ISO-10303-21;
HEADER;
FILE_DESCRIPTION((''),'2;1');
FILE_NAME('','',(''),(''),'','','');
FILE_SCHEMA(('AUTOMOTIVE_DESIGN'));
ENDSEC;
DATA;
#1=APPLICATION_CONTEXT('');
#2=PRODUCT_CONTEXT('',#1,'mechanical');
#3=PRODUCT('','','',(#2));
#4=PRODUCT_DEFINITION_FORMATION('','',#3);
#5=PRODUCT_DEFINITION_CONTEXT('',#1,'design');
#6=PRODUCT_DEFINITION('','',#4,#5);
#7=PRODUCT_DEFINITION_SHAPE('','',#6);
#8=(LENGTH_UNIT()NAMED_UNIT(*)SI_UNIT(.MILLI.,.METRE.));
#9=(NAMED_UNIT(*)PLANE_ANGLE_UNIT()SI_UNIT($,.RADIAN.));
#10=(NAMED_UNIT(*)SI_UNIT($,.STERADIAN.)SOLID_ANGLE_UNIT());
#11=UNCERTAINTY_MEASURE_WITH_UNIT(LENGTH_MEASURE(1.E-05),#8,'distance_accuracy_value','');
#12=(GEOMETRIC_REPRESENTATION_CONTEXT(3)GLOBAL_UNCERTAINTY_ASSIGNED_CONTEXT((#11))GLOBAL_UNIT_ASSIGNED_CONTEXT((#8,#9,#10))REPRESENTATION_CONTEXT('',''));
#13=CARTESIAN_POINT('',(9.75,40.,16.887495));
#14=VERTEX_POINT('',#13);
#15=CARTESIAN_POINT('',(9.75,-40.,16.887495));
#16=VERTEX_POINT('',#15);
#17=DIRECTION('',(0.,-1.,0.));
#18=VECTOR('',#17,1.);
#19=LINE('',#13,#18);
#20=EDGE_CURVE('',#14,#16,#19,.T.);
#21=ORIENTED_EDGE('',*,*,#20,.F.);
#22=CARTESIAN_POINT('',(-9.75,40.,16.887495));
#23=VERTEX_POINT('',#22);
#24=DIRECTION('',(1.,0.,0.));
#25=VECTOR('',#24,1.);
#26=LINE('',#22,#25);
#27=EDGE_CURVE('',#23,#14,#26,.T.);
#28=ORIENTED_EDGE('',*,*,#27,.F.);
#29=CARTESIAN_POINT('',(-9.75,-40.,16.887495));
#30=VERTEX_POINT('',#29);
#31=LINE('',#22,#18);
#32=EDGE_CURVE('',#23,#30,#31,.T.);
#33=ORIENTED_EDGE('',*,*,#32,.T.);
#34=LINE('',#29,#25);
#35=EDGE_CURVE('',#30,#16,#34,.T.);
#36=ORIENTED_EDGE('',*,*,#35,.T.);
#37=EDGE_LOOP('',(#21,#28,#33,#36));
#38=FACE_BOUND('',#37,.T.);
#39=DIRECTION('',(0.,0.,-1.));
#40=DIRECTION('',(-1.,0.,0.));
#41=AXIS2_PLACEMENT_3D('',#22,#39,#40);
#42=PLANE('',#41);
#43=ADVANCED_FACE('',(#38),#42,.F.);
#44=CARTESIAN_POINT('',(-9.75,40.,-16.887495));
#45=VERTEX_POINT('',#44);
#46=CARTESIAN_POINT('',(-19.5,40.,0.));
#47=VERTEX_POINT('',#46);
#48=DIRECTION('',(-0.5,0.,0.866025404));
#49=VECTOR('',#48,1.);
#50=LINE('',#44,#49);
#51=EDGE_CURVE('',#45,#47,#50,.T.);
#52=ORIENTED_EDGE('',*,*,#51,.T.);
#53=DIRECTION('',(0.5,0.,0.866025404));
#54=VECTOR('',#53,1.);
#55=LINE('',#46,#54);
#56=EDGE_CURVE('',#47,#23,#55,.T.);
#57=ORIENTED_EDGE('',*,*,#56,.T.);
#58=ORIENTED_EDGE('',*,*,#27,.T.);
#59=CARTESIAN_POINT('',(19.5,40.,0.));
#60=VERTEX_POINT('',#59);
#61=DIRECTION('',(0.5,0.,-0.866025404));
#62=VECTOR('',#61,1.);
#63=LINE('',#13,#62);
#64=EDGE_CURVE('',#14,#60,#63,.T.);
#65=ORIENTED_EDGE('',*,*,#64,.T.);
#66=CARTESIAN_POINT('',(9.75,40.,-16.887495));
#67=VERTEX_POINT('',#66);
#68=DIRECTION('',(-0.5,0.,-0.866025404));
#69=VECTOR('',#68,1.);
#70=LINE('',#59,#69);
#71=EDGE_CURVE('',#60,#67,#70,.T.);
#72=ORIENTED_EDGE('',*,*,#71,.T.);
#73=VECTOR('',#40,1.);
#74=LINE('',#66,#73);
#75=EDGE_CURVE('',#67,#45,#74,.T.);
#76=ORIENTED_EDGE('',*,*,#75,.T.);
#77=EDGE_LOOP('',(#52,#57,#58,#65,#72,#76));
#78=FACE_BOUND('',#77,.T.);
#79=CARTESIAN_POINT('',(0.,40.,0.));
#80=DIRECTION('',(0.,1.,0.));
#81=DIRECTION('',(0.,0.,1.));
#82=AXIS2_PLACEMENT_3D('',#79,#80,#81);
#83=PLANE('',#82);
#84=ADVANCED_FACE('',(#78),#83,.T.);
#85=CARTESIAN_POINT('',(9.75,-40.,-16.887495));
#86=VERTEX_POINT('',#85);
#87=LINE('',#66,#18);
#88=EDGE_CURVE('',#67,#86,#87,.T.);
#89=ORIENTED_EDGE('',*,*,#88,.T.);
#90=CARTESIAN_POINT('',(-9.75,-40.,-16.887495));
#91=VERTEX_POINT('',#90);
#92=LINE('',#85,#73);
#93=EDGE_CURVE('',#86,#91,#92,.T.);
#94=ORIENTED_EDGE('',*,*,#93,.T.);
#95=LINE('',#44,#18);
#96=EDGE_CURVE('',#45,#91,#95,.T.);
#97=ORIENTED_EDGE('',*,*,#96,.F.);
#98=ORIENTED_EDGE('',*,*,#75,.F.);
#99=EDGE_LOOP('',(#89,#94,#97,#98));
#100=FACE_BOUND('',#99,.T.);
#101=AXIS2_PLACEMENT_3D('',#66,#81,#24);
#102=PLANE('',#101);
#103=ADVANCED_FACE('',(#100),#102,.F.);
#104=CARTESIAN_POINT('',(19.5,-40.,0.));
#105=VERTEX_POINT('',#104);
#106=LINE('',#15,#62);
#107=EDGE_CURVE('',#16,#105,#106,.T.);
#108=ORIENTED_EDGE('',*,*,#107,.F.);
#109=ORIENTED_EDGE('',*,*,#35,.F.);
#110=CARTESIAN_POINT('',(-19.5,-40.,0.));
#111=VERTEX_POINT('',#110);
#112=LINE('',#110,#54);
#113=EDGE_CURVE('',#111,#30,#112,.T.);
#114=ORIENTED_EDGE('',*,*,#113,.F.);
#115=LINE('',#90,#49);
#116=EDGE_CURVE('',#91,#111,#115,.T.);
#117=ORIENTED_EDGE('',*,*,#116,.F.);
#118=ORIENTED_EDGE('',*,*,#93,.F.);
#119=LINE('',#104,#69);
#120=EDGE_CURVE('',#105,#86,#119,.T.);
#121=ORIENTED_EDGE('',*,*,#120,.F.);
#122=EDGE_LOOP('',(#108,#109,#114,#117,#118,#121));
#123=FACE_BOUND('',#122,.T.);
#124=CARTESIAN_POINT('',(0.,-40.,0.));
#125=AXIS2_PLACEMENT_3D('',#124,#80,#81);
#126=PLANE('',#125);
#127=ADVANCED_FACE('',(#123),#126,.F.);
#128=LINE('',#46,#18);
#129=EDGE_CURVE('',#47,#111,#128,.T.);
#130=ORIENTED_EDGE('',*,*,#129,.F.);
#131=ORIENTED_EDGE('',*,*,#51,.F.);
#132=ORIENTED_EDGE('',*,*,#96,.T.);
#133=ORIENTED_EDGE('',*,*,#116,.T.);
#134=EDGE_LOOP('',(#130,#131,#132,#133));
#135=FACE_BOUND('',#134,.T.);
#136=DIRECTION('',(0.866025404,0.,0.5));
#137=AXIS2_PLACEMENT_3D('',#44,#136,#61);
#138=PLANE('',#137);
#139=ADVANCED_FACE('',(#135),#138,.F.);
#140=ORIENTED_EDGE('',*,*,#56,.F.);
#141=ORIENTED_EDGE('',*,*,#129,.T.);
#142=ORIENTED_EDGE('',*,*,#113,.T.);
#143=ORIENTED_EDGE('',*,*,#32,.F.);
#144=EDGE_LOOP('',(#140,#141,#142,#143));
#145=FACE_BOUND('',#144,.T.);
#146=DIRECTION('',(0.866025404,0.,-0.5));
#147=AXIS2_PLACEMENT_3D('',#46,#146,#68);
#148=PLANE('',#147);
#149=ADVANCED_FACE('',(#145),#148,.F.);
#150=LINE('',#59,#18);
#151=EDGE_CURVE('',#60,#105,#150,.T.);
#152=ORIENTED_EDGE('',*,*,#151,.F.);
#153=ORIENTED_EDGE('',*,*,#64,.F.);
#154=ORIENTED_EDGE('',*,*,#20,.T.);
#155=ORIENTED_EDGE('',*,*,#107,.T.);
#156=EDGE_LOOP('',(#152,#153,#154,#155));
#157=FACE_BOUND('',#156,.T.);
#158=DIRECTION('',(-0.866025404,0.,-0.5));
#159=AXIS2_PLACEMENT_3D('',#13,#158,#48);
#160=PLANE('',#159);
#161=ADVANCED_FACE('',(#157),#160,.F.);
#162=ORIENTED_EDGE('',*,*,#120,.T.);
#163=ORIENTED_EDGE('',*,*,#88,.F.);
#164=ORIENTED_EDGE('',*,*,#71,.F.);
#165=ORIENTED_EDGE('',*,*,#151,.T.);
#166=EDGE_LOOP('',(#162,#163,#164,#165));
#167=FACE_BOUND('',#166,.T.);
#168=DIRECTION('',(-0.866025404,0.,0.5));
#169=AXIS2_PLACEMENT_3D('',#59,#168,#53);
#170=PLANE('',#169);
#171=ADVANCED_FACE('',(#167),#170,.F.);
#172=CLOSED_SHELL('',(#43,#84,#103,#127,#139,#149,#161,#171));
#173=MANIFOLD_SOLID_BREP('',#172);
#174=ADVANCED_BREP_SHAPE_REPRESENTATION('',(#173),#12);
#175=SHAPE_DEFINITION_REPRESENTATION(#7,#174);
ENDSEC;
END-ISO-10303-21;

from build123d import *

# Parameters (mm, degrees)
BOSS_EXTRUDE1_DEPTH = 40


with BuildPart() as part:
    # Sketch1 → Boss-Extrude1 (new, symmetric)
    with BuildSketch(Plane(origin=(0, 0, 0), x_dir=(1, 0, 0), z_dir=(0, 1, 0))):
        Polygon((19.5, 0), (9.75, 16.887495374), (-9.75, 16.887495374), (-19.5, 0), (-9.75, -16.887495374), (9.75, -16.887495374), align=None)
    extrude(amount=BOSS_EXTRUDE1_DEPTH, both=True)


solid = part.part
